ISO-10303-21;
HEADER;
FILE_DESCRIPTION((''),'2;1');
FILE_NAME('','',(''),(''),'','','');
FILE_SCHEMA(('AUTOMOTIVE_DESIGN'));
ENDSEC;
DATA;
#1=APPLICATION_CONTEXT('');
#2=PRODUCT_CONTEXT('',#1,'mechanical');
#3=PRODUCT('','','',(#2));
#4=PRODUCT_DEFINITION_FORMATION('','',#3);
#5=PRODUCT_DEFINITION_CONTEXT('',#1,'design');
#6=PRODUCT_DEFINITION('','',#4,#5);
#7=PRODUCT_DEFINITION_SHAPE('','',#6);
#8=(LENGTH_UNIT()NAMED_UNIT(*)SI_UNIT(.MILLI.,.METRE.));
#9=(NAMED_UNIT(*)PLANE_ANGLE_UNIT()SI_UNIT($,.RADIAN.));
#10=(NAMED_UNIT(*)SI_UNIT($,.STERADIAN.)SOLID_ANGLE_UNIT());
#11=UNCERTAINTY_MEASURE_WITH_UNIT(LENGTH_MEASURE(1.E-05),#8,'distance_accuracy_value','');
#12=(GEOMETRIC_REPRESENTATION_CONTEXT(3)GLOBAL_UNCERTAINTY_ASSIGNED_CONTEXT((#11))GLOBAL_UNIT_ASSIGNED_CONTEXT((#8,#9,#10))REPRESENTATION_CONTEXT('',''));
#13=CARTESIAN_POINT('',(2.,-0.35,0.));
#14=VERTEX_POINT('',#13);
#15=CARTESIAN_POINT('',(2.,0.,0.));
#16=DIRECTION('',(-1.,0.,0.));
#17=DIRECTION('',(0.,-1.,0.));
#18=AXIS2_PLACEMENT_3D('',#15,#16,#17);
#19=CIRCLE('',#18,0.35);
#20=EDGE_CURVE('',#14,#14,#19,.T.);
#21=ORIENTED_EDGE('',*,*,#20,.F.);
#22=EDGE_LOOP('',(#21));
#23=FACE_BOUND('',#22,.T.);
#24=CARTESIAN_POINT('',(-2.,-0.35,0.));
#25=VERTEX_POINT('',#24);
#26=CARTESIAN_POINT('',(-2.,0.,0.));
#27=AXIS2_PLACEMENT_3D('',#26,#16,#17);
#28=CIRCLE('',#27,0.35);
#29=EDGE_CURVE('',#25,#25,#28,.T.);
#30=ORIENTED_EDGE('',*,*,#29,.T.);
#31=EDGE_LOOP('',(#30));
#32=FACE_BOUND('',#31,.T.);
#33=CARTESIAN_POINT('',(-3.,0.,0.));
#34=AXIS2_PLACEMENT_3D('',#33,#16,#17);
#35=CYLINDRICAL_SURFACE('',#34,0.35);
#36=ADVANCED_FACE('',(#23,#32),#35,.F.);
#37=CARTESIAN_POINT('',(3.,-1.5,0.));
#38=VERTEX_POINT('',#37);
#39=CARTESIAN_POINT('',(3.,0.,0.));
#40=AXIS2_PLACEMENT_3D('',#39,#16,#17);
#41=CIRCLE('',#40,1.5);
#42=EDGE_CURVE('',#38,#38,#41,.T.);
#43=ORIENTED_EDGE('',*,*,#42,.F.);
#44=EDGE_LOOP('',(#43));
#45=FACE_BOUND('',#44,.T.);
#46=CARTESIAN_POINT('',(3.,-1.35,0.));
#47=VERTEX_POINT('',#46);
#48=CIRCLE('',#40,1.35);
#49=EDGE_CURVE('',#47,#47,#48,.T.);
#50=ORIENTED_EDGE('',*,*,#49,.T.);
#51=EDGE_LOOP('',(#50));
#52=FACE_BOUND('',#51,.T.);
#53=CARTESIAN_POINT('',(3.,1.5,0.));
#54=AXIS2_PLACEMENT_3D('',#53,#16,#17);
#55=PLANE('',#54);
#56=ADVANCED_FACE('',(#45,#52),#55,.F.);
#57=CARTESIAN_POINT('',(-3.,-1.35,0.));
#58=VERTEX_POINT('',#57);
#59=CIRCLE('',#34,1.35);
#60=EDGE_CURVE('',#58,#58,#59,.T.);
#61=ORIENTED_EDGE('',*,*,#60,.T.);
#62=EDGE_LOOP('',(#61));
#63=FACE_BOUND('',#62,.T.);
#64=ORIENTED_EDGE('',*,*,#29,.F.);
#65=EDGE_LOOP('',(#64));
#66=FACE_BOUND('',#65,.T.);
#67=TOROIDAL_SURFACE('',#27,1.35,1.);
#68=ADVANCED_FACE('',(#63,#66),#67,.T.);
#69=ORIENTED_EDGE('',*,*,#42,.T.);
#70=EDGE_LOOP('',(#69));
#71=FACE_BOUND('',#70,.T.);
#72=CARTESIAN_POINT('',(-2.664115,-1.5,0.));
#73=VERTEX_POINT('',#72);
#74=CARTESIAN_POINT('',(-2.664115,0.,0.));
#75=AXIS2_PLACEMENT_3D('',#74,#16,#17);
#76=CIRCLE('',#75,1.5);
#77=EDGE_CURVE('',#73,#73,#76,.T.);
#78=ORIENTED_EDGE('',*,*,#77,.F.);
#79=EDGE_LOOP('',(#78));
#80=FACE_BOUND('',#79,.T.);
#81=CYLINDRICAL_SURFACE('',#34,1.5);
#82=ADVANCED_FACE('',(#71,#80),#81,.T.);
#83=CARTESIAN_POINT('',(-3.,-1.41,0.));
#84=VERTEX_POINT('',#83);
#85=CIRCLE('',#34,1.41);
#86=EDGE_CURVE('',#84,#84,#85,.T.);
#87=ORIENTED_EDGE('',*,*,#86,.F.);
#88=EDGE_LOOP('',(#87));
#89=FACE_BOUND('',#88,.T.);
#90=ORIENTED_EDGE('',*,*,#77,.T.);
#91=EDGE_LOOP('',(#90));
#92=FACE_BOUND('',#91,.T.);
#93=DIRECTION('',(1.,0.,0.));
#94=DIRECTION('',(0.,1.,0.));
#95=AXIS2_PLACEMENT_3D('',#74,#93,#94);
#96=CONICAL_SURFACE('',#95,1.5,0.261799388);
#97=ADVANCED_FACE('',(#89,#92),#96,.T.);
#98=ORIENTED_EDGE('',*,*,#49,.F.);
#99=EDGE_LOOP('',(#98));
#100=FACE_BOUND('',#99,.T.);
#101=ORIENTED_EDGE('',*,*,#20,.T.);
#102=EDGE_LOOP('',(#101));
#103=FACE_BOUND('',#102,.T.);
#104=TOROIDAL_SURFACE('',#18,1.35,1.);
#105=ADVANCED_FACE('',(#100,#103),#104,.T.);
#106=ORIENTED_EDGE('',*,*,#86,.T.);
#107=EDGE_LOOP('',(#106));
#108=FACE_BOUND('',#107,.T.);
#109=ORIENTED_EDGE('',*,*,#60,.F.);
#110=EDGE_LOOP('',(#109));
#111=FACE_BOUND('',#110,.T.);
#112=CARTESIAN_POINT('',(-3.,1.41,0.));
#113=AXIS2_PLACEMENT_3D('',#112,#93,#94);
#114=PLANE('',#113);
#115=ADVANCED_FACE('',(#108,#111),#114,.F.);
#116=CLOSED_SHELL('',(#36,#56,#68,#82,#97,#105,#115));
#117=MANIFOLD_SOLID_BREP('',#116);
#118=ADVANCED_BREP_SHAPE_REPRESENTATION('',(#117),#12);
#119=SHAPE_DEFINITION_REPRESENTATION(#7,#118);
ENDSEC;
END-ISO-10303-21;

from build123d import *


with BuildPart() as part:
    # Sketch1 → Revolve1 (revolve)
    with BuildSketch(Plane.XY):
        with BuildLine():
            Line((-3, 1.41), (-2.664115427, 1.5))
            Line((-2.664115427, 1.5), (3, 1.5))
            Line((3, 1.5), (3, 1.35))
            ThreePointArc((3, 1.35), (2.707106781, 0.642893219), (2, 0.35))
            Line((2, 0.35), (-2, 0.35))
            ThreePointArc((-2, 0.35), (-2.707106781, 0.642893219), (-3, 1.35))
            Line((-3, 1.35), (-3, 1.41))
        make_face()
    revolve(axis=Axis((-3, 0, 0), (1, 0, 0)))


solid = part.part
